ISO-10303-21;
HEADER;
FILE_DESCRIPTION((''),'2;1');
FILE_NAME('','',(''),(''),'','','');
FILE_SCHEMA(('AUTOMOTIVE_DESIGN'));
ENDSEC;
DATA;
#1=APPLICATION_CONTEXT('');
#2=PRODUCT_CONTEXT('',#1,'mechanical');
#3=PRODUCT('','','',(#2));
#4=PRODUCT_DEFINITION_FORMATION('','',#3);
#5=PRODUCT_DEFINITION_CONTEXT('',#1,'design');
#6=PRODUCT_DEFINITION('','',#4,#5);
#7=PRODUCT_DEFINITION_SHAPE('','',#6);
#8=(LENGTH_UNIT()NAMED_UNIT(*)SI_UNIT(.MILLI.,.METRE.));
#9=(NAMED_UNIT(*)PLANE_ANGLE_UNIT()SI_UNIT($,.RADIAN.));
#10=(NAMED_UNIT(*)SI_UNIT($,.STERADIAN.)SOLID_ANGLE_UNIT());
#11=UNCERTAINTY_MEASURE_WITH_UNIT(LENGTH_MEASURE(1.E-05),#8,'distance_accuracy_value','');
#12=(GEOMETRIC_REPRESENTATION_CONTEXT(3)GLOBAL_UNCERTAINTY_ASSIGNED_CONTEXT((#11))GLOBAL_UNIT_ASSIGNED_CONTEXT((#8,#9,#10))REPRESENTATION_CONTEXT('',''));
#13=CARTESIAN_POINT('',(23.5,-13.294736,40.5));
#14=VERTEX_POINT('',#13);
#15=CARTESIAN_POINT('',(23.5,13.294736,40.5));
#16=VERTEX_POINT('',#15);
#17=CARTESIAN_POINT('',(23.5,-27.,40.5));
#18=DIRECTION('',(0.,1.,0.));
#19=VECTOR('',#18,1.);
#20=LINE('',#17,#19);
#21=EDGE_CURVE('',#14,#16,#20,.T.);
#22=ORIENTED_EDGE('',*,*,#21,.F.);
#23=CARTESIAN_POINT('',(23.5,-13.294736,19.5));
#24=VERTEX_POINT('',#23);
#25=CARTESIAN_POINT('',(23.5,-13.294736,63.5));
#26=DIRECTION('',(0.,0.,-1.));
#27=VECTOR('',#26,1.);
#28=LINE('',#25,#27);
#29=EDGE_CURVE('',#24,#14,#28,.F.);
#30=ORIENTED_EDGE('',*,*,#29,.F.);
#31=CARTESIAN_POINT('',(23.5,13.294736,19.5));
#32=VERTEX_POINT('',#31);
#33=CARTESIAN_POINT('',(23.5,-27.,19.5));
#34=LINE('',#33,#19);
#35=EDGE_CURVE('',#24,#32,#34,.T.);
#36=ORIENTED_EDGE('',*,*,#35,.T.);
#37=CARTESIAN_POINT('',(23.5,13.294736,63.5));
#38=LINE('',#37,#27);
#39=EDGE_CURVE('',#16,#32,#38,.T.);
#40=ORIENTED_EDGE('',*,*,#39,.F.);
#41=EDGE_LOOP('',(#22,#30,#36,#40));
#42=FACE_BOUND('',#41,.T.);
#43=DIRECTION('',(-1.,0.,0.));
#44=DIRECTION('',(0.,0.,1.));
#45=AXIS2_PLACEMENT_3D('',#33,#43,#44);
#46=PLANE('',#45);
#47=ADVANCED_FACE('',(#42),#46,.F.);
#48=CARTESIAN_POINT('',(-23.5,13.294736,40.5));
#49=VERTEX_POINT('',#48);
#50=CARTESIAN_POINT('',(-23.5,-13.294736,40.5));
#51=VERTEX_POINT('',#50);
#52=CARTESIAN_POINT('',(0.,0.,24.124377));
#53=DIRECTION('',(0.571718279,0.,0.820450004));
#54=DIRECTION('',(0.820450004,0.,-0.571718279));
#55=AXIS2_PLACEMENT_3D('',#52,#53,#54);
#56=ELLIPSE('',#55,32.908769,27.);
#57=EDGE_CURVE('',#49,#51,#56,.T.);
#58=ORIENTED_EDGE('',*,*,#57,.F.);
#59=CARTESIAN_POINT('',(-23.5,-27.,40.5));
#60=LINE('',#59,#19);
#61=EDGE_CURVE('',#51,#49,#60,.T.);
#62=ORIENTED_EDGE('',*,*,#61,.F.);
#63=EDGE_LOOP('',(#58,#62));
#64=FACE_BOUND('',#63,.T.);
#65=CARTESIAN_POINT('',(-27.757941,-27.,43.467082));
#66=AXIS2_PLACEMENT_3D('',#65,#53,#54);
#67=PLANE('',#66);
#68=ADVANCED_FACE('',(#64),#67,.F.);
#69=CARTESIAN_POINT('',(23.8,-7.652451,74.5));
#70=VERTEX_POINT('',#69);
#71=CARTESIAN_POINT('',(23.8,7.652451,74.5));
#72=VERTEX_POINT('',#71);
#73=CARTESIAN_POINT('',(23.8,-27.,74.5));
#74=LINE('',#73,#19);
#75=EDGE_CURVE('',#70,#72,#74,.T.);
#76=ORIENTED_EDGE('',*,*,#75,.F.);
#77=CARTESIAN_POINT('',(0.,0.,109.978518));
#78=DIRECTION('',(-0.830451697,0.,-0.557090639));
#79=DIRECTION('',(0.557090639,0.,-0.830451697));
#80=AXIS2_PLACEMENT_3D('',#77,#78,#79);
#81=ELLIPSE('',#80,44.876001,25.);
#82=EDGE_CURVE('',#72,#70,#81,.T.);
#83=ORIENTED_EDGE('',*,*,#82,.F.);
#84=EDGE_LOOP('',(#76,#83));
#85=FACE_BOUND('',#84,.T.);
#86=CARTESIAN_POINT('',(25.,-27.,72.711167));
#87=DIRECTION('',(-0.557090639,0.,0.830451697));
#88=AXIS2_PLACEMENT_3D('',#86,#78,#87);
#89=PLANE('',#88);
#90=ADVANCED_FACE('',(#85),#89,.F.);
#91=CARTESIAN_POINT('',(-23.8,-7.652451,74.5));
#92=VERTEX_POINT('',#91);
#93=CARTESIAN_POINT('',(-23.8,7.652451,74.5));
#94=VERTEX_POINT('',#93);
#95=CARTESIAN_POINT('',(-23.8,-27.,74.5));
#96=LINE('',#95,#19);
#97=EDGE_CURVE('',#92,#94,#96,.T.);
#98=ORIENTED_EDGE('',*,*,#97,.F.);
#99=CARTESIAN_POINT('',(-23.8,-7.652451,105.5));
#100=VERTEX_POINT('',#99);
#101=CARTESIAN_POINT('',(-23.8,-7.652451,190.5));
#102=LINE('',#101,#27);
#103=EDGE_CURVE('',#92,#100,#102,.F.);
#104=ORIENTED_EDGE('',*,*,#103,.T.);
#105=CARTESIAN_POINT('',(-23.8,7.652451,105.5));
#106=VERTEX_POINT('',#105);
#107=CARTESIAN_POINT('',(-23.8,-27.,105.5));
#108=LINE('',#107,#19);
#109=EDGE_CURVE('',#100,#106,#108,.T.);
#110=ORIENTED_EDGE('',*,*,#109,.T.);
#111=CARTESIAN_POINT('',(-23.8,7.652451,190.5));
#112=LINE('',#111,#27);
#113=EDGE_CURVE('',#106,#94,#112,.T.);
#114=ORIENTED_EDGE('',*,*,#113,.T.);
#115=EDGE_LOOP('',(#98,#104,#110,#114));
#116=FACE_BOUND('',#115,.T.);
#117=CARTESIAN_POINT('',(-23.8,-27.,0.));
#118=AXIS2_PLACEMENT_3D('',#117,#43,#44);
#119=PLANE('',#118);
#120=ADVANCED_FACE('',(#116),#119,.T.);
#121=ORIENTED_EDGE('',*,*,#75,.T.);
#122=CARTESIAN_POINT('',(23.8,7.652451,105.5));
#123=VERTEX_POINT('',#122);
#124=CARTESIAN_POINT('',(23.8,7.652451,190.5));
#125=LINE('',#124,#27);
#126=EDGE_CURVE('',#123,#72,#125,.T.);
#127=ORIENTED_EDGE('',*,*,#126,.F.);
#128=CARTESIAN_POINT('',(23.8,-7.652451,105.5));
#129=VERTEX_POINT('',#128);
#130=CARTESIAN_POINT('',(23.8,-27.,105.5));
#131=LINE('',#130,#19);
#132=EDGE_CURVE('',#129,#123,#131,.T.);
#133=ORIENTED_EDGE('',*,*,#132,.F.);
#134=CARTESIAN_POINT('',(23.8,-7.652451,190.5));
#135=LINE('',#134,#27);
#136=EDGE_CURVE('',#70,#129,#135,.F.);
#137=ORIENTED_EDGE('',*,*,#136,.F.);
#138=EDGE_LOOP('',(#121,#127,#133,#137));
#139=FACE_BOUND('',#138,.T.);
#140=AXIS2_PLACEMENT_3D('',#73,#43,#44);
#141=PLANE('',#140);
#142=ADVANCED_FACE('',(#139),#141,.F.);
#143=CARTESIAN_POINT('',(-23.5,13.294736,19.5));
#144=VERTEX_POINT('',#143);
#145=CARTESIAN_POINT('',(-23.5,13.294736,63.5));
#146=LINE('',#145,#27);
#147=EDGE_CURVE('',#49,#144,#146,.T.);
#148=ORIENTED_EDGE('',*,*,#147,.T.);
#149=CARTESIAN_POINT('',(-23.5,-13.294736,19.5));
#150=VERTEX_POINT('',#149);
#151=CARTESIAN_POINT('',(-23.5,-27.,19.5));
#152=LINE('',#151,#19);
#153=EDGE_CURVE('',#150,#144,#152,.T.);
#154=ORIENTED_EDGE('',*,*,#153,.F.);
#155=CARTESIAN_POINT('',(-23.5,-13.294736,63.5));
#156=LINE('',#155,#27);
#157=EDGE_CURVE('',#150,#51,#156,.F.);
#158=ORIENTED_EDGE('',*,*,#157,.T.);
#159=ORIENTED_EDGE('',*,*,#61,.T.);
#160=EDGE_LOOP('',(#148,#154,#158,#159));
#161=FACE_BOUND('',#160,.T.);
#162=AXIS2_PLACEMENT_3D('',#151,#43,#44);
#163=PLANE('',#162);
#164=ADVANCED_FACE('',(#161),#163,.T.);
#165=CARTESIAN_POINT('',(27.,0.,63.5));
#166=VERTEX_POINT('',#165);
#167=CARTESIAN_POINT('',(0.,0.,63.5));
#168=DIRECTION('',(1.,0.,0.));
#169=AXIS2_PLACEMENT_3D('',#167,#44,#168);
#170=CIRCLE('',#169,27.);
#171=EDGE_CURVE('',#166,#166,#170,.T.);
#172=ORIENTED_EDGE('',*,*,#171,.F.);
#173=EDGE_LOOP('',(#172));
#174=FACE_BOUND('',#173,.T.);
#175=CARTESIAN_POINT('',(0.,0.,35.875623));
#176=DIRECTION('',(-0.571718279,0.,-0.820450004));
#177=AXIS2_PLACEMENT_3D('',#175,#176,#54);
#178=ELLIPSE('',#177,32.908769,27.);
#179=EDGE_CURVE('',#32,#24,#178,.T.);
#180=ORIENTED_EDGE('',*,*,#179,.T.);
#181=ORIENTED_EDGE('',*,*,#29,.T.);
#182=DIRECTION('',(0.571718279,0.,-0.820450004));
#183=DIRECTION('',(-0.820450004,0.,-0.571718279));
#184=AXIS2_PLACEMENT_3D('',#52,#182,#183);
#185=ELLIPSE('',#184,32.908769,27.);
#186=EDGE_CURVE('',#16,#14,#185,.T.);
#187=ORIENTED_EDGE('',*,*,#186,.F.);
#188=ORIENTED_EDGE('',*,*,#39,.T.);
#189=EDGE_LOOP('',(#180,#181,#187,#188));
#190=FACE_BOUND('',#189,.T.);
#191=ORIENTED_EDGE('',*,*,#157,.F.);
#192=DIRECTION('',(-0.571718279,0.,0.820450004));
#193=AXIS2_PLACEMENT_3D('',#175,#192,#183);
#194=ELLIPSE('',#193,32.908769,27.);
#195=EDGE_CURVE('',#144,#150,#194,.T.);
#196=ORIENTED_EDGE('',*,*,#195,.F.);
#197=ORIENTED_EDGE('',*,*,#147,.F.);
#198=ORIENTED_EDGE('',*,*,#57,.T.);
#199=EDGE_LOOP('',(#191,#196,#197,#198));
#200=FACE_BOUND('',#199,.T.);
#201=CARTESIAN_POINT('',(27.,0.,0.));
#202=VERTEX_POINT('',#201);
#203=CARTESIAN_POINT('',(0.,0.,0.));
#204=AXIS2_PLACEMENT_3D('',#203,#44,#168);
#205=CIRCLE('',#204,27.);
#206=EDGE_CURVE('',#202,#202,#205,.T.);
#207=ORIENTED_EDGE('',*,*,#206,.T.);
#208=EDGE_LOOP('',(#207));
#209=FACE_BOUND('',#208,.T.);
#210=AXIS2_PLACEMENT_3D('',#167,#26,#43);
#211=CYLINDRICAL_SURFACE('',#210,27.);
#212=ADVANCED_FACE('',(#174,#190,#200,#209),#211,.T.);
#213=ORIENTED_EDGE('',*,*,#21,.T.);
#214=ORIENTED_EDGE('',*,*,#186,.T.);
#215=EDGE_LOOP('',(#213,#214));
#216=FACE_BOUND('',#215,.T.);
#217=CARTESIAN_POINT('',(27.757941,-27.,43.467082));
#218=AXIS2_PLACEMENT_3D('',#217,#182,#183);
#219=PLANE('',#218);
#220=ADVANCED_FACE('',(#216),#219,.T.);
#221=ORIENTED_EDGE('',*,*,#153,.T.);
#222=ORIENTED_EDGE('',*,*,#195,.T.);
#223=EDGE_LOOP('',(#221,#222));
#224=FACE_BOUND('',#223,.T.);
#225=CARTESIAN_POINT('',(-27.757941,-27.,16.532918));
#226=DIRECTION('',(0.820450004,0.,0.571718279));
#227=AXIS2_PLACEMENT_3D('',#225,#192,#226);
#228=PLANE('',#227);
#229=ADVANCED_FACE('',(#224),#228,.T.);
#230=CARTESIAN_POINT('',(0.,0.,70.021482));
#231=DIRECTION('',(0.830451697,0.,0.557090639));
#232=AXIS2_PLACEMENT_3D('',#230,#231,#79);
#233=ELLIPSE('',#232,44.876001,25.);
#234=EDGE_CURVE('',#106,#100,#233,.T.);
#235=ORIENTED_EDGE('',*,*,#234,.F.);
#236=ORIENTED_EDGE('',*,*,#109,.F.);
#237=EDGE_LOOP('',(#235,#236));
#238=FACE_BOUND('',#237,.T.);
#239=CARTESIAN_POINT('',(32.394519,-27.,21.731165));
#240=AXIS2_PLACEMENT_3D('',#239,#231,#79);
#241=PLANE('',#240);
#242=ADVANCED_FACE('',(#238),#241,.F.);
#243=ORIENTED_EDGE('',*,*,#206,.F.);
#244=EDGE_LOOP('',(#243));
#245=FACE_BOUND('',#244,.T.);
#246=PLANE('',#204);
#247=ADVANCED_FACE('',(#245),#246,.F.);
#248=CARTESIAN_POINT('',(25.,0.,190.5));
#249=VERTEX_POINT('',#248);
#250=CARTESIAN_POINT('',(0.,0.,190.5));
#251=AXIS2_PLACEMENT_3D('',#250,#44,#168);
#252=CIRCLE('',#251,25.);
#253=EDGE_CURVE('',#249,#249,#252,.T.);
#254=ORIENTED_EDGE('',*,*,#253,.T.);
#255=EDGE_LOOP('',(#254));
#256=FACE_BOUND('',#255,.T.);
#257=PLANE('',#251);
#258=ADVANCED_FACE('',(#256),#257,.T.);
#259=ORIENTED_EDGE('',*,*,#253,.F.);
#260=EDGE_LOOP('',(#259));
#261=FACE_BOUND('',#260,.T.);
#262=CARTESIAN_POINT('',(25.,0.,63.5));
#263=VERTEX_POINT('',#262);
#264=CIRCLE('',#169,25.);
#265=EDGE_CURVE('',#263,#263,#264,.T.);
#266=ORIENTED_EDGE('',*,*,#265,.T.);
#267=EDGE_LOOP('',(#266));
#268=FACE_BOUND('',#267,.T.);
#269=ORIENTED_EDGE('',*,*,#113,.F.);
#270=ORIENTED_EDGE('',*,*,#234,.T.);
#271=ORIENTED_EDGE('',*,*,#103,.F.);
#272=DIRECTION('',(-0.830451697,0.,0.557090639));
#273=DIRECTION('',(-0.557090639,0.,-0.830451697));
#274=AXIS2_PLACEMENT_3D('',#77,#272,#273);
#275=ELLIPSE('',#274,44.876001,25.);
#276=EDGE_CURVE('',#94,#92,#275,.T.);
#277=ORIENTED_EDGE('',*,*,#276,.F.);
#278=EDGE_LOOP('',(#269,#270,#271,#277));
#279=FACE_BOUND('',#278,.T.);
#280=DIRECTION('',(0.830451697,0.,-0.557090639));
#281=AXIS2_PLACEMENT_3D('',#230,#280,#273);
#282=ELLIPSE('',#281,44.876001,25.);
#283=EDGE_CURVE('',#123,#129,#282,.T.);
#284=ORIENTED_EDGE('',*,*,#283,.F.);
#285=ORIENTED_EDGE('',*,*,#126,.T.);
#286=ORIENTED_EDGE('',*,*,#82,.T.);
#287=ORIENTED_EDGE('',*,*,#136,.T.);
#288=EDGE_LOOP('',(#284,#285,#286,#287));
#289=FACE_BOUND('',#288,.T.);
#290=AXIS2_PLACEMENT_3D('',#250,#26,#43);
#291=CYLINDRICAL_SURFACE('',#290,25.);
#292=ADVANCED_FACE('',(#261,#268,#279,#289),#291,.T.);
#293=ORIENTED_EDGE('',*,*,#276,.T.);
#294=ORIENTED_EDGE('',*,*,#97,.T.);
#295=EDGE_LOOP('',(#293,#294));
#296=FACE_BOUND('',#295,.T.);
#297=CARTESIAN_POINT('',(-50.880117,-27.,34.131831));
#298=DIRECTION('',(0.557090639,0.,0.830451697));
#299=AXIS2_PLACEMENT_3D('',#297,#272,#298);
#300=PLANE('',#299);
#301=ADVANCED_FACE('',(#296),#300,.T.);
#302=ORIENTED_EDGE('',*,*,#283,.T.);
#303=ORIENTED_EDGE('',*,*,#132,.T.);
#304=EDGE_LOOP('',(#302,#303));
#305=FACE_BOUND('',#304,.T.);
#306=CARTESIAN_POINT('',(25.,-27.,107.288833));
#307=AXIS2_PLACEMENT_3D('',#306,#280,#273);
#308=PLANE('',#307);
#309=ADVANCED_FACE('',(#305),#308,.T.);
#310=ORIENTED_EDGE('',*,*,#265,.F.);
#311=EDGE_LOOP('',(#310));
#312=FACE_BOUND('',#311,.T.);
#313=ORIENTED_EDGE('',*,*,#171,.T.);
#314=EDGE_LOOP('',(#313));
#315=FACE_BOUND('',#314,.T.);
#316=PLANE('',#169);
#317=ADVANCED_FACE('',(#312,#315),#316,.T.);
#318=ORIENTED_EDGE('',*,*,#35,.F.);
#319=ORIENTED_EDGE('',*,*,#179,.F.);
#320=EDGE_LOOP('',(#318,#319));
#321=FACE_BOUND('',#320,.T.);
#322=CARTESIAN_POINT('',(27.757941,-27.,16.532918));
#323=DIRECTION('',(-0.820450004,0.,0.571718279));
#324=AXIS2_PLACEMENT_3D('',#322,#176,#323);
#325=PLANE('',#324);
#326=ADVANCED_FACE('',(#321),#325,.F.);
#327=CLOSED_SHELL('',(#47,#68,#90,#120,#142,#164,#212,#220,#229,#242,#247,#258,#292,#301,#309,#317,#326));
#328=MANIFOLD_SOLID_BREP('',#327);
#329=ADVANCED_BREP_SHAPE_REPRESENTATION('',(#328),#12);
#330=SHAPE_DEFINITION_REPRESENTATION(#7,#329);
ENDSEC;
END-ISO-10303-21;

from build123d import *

# Parameters (mm, degrees)
SKETCH1_R               = 27
BOSS_EXTRUDE1_DEPTH     = 63.5
SKETCH2_R               = 25
BOSS_EXTRUDE2_DEPTH     = 127
CUT_EXTRUDE1_DEPTH      = 195.289088731
CUT_EXTRUDE1_DEPTH_BACK = 195.289088731


with BuildPart() as part:
    # Sketch1 → Boss-Extrude1 (new body)
    with BuildSketch(Plane.XY):
        Circle(SKETCH1_R)
    extrude(amount=BOSS_EXTRUDE1_DEPTH)

    # Sketch2 → Boss-Extrude2 (add)
    with BuildSketch(Plane.XY.offset(63.5)):
        Circle(SKETCH2_R)
    extrude(amount=BOSS_EXTRUDE2_DEPTH)

    # Sketch4 → Cut-Extrude1 (cut, two sides: drawn at the far end of the back side and taken through both)
    with BuildSketch(Plane(origin=(0, 0, 0), x_dir=(1, 0, 0), z_dir=(0, 1, 0)).offset(-CUT_EXTRUDE1_DEPTH_BACK)):
        Polygon((-25, -72.711167147), (-23.8, -74.5), (-23.8, -105.5), (-25, -107.288832853), align=None)
        Polygon((-27.757940887, -16.532917761), (-27.757940887, -43.467082239), (-23.5, -40.5), (-23.5, -19.5), align=None)
        Polygon((23.8, -74.5), (23.8, -105.5), (25, -107.288832853), (25, -72.711167147), align=None)
        Polygon((27.757940887, -16.532917761), (27.757940887, -43.467082239), (23.5, -40.5), (23.5, -19.5), align=None)
    extrude(amount=CUT_EXTRUDE1_DEPTH + CUT_EXTRUDE1_DEPTH_BACK, mode=Mode.SUBTRACT)


solid = part.part
